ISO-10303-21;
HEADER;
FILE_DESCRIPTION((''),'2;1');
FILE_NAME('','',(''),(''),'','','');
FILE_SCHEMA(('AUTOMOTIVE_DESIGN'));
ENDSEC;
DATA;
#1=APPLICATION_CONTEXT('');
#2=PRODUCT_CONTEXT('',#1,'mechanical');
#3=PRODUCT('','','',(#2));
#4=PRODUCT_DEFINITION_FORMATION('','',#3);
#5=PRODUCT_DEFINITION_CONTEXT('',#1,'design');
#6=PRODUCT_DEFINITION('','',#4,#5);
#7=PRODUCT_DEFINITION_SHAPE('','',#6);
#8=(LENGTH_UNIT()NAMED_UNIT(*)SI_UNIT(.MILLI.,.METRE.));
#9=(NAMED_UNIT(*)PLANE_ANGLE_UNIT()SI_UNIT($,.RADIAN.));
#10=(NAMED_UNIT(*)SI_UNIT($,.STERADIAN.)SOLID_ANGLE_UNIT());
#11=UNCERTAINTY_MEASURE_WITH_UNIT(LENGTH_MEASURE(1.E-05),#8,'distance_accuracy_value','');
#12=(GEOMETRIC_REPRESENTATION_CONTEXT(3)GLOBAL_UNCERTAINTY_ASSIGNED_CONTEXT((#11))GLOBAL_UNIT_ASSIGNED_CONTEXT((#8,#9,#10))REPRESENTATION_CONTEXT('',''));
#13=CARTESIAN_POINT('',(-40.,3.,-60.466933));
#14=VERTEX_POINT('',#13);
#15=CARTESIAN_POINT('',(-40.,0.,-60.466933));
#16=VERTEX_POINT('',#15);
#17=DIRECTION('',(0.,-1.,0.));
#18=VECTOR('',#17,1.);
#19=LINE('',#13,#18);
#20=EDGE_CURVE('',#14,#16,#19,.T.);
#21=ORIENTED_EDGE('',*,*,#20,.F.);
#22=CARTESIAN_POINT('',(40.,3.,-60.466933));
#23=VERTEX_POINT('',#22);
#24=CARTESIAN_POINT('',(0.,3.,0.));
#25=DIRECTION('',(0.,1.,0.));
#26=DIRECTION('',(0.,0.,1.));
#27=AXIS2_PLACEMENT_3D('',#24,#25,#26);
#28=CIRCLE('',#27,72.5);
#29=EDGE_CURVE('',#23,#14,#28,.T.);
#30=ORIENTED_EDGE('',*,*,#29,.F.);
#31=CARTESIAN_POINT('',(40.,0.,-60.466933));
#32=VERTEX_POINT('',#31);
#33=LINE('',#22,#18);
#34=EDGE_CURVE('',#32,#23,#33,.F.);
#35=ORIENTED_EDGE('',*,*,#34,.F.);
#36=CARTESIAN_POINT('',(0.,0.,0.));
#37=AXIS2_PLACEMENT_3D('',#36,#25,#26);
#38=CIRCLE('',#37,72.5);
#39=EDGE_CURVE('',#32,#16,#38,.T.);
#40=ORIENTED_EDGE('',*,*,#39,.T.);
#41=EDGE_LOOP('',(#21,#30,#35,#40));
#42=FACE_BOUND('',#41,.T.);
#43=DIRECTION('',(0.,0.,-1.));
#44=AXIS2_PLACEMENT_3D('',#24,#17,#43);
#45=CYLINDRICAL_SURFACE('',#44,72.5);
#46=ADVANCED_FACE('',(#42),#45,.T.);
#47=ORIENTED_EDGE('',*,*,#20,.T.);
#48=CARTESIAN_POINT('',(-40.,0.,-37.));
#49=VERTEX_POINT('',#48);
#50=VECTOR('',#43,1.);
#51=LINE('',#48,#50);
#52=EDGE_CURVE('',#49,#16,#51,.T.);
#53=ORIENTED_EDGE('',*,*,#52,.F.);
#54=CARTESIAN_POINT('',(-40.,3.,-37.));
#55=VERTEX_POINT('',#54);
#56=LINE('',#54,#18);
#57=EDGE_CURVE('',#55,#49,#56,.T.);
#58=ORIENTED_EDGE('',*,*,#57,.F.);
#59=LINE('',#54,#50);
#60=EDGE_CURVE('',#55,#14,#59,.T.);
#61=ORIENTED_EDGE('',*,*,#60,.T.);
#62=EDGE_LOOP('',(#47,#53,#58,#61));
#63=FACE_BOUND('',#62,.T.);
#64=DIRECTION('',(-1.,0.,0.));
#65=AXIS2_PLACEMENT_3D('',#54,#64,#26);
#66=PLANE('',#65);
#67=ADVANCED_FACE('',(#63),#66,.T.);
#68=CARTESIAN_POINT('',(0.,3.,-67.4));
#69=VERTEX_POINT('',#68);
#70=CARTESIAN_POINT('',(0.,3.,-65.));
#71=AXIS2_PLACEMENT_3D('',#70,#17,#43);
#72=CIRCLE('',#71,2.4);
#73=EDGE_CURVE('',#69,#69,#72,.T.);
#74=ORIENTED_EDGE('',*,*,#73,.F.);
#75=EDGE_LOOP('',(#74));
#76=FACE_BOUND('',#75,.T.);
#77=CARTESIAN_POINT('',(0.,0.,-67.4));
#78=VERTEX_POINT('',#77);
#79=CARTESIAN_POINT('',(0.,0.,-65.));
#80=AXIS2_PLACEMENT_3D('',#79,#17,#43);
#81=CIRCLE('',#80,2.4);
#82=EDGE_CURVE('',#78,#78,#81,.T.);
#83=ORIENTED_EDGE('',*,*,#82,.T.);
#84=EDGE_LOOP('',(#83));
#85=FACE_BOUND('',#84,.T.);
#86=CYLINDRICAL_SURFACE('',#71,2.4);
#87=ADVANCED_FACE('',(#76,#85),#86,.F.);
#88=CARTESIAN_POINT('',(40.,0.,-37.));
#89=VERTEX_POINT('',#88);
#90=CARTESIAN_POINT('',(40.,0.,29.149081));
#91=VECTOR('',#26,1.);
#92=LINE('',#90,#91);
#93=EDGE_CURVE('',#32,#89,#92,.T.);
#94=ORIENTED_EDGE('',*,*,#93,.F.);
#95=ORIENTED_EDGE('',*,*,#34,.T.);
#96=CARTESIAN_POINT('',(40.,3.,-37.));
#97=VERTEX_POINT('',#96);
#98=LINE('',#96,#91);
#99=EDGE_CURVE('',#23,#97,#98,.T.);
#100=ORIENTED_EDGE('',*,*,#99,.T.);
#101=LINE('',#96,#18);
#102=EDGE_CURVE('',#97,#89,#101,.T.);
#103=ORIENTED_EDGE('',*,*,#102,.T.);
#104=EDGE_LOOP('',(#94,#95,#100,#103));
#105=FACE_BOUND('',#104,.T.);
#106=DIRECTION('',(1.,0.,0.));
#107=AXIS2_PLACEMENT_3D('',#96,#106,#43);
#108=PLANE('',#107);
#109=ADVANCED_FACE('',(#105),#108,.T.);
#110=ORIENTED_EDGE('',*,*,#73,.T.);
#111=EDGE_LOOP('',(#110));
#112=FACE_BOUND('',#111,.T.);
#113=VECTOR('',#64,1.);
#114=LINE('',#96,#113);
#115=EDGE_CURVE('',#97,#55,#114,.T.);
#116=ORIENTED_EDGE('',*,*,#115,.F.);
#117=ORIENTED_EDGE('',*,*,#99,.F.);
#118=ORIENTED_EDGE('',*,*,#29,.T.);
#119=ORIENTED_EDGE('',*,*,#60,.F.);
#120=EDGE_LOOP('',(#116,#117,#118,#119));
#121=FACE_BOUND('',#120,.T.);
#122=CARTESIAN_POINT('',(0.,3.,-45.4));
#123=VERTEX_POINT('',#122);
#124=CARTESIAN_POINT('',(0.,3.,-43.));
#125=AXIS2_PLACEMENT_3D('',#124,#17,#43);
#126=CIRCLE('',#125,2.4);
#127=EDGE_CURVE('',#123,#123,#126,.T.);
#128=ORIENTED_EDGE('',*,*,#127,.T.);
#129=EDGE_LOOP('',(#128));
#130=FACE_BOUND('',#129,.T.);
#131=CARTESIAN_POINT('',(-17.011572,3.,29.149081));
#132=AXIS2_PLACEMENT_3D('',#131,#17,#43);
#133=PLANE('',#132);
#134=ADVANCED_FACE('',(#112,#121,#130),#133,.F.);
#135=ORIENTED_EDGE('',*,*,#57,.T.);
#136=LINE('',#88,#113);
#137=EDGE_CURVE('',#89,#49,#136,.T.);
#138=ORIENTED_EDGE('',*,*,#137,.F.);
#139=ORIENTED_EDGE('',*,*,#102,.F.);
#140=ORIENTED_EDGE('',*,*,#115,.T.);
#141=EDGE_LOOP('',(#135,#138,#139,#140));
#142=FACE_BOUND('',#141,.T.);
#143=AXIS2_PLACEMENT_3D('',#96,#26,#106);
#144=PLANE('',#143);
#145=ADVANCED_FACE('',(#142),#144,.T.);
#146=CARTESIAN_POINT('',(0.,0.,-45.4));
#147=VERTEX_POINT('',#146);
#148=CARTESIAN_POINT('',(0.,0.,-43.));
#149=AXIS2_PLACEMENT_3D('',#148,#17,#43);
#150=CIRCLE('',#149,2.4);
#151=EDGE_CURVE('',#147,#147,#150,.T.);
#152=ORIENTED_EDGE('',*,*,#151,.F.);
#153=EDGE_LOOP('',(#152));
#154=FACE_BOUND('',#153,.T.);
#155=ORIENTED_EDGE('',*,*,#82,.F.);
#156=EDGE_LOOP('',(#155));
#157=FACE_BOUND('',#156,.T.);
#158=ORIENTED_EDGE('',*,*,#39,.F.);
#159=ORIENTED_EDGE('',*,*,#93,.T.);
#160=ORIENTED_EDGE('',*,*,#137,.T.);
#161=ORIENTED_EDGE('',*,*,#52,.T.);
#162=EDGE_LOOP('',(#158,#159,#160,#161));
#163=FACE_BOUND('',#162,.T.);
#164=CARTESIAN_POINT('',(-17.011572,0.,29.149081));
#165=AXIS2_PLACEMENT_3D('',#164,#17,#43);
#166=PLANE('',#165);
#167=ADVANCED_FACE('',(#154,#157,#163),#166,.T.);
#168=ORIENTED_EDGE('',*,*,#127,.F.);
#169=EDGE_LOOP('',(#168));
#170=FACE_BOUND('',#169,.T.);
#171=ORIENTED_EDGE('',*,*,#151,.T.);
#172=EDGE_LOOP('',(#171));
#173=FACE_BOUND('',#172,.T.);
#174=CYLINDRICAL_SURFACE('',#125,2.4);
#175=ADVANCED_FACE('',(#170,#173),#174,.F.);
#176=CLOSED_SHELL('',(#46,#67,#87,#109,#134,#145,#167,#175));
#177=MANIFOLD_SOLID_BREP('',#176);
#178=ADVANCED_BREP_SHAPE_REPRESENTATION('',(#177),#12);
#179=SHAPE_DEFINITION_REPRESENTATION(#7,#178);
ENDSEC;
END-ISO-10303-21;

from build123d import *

# Parameters (mm, degrees)
BOSS_EXTRUDE1_DEPTH  = 3
SKETCH11_OUTSIDE_W   = 186.736
SKETCH11_OUTSIDE_H   = 177.534
SKETCH11_OUTSIDE_W_2 = 80
SKETCH11_OUTSIDE_H_2 = 40
CUT_EXTRUDE13_DEPTH  = 103.574363269
SKETCH12_R           = 2.4
CUT_EXTRUDE15_DEPTH  = 83.856804186


with BuildPart() as part:
    # Sketch1 → Boss-Extrude1 (new body)
    with BuildSketch(Plane(origin=(0, 0, 0), x_dir=(1, 0, 0), z_dir=(0, 1, 0))):
        with BuildLine():
            ThreePointArc((36.543377003, -62.616544118), (0, 72.5), (-36.543377003, -62.616544118))
            ThreePointArc((-36.543377003, -62.616544118), (-33.085954668, -63.20954405), (-30.089832649, -61.38507948))
            ThreePointArc((-30.089832649, -61.38507948), (0, -46.75), (30.089832649, -61.38507948))
            ThreePointArc((30.089832649, -61.38507948), (33.085954668, -63.20954405), (36.543377003, -62.616544118))
        make_face()
    extrude(amount=BOSS_EXTRUDE1_DEPTH)

    # Sketch11 outside → Cut-Extrude13 (cut, through all)
    with BuildSketch(Plane.XZ):
        with Locations((0, -4.601)):
            Rectangle(SKETCH11_OUTSIDE_W, SKETCH11_OUTSIDE_H)
        with Locations((0, -57)):
            Rectangle(SKETCH11_OUTSIDE_W_2, SKETCH11_OUTSIDE_H_2, mode=Mode.SUBTRACT)
    extrude(amount=-CUT_EXTRUDE13_DEPTH, mode=Mode.SUBTRACT)

    # Sketch12 → Cut-Extrude15 (cut, through all)
    with BuildSketch(Plane.XZ):
        with Locations(Location((0, -65, 0), (0, 0, 270))):
            Circle(SKETCH12_R)
        with Locations(Location((0, -43, 0), (0, 0, 270))):
            Circle(SKETCH12_R)
    extrude(amount=-CUT_EXTRUDE15_DEPTH, mode=Mode.SUBTRACT)


solid = part.part
